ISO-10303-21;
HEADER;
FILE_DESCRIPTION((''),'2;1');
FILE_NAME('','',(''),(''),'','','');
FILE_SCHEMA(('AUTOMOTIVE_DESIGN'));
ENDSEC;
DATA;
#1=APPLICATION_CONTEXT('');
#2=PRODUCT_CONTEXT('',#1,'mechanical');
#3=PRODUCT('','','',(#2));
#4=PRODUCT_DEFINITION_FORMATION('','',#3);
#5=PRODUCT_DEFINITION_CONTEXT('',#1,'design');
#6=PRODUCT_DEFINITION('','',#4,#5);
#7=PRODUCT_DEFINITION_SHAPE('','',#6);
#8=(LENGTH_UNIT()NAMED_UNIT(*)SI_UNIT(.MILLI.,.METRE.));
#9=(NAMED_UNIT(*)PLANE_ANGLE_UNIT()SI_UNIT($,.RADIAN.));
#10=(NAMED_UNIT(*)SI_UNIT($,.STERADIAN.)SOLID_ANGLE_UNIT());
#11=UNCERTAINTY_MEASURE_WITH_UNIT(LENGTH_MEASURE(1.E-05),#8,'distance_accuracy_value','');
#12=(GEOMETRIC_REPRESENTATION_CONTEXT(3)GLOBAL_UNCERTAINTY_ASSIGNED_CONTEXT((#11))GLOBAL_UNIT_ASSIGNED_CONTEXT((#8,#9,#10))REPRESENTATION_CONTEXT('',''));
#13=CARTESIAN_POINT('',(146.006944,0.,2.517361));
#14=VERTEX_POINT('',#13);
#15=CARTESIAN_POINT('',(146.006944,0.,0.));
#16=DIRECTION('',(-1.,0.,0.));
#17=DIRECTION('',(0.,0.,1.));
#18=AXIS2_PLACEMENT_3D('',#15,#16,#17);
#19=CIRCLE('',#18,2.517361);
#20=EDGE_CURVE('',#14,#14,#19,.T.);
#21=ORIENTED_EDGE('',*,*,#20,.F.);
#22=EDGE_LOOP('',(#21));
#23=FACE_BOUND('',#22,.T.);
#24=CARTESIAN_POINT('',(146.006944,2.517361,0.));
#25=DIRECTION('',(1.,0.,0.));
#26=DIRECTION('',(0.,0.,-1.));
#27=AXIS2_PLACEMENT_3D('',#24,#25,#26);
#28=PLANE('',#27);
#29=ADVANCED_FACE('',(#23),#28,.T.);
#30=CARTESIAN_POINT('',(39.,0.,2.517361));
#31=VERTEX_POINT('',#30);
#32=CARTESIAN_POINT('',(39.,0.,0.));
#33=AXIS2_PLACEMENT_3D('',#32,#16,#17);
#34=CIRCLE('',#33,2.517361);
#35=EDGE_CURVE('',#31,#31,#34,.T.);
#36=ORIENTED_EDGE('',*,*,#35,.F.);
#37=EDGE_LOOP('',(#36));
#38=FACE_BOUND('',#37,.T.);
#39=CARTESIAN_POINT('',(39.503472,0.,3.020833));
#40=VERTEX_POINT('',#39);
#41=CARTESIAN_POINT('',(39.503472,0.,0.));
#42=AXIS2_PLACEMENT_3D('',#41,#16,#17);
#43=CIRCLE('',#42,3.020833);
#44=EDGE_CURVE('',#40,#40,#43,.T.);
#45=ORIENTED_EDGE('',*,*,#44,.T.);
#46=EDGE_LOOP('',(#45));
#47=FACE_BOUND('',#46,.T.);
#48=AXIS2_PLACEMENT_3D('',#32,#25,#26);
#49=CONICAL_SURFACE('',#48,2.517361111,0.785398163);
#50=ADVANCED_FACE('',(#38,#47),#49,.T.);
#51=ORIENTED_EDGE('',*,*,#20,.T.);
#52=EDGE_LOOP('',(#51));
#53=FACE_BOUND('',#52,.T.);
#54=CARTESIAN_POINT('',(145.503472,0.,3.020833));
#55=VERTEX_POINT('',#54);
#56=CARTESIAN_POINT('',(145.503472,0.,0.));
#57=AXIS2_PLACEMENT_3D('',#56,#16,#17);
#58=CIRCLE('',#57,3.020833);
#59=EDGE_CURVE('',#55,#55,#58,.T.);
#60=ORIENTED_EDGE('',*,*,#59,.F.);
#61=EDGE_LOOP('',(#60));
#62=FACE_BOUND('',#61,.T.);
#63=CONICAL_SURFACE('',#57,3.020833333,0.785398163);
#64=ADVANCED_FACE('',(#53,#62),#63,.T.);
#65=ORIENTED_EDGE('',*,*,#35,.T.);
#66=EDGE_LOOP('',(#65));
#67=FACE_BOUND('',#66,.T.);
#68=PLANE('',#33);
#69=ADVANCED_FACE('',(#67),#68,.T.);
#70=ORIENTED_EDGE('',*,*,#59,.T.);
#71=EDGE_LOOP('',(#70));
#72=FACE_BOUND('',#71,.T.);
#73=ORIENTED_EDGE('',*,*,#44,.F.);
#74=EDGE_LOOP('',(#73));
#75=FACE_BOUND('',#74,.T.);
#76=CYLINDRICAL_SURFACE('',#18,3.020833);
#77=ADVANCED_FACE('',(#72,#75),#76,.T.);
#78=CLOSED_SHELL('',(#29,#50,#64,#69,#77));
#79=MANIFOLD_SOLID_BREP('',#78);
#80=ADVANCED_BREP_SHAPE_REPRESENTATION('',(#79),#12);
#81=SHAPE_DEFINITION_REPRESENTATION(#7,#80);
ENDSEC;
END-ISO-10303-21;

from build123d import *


with BuildPart() as part:
    # ｽｹｯﾁ1 → 回転1 (revolve)
    with BuildSketch(Plane(origin=(0, 0, 0), x_dir=(-1, 0, 0), z_dir=(0, 0, -1)), mode=Mode.PRIVATE) as revolve_1_sk:
        Polygon((-146.006944444, 2.517361111), (-146.006944444, 0), (-39, 0), (-39, 2.517361111), (-39.503472222, 3.020833333), (-145.503472222, 3.020833333), align=None)
    revolve(revolve_1_sk.sketch.rotate(Axis((146.006944444, 0, 0), (-1, 0, 0)), 270), axis=Axis((146.006944444, 0, 0), (-1, 0, 0)))


solid = part.part
